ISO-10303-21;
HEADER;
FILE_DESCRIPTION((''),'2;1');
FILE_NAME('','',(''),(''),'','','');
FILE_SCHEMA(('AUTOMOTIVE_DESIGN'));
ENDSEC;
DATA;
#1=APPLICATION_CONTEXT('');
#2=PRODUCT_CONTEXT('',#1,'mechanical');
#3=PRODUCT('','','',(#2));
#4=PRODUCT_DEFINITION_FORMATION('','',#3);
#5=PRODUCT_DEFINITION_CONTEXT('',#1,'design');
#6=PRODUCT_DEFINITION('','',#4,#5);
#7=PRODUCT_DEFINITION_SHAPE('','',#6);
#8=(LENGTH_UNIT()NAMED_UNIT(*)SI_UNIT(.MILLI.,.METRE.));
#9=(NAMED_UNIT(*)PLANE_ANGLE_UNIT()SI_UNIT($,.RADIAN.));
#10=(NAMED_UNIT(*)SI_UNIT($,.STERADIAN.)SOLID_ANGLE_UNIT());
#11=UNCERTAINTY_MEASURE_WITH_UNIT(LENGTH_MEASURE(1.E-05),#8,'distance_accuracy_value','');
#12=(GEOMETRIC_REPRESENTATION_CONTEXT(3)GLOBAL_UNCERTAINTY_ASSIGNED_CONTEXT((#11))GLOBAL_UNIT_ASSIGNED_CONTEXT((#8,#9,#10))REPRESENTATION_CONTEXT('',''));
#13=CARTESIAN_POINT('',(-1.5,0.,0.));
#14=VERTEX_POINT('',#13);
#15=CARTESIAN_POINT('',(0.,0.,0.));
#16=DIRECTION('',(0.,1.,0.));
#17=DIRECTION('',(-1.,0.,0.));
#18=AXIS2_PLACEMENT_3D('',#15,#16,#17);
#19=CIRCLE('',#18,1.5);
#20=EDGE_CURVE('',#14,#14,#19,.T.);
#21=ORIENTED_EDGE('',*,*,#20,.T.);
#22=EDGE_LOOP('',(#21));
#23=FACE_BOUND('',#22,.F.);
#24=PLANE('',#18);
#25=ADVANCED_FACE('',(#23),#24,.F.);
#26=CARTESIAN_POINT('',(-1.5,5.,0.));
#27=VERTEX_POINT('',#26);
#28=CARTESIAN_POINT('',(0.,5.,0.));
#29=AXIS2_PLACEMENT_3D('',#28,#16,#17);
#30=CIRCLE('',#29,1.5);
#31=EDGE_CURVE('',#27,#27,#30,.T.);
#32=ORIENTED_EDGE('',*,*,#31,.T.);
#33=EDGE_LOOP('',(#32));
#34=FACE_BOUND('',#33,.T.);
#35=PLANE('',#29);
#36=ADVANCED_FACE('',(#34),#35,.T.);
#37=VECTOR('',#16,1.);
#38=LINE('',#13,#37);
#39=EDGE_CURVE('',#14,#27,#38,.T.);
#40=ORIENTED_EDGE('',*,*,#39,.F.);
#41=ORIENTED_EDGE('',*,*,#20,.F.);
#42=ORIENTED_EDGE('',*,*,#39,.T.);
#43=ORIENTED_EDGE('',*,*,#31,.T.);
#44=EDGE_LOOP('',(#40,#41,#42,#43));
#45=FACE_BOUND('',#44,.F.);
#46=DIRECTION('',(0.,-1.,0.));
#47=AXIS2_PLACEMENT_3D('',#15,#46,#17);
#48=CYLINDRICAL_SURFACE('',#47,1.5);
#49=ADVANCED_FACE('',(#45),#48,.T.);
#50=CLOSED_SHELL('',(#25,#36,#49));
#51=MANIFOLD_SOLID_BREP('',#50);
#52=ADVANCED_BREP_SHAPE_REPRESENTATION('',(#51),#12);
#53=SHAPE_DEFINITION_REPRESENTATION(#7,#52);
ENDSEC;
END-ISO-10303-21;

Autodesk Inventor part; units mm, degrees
ref_plane "YZ Plane" through (0, 0, 0) normal (1, 0, 0) x (0, 1, 0)
ref_plane "XZ Plane" through (0, 0, 0) normal (0, 1, 0) x (-1, 0, 0)
ref_plane "XY Plane" through (0, 0, 0) normal (0, 0, 1) x (1, 0, 0)
sketch "Sketch1" plane through (0, 0, 0) normal (0, 1, 0) x (-1, 0, 0)
  circle A0 centre (0, 0) radius 1.5
  dimension "d0" = 3
extrude "Extrusion1" add sketch "Sketch1" along normal blind 5
properties part number "BlueWire" material "Copper"
